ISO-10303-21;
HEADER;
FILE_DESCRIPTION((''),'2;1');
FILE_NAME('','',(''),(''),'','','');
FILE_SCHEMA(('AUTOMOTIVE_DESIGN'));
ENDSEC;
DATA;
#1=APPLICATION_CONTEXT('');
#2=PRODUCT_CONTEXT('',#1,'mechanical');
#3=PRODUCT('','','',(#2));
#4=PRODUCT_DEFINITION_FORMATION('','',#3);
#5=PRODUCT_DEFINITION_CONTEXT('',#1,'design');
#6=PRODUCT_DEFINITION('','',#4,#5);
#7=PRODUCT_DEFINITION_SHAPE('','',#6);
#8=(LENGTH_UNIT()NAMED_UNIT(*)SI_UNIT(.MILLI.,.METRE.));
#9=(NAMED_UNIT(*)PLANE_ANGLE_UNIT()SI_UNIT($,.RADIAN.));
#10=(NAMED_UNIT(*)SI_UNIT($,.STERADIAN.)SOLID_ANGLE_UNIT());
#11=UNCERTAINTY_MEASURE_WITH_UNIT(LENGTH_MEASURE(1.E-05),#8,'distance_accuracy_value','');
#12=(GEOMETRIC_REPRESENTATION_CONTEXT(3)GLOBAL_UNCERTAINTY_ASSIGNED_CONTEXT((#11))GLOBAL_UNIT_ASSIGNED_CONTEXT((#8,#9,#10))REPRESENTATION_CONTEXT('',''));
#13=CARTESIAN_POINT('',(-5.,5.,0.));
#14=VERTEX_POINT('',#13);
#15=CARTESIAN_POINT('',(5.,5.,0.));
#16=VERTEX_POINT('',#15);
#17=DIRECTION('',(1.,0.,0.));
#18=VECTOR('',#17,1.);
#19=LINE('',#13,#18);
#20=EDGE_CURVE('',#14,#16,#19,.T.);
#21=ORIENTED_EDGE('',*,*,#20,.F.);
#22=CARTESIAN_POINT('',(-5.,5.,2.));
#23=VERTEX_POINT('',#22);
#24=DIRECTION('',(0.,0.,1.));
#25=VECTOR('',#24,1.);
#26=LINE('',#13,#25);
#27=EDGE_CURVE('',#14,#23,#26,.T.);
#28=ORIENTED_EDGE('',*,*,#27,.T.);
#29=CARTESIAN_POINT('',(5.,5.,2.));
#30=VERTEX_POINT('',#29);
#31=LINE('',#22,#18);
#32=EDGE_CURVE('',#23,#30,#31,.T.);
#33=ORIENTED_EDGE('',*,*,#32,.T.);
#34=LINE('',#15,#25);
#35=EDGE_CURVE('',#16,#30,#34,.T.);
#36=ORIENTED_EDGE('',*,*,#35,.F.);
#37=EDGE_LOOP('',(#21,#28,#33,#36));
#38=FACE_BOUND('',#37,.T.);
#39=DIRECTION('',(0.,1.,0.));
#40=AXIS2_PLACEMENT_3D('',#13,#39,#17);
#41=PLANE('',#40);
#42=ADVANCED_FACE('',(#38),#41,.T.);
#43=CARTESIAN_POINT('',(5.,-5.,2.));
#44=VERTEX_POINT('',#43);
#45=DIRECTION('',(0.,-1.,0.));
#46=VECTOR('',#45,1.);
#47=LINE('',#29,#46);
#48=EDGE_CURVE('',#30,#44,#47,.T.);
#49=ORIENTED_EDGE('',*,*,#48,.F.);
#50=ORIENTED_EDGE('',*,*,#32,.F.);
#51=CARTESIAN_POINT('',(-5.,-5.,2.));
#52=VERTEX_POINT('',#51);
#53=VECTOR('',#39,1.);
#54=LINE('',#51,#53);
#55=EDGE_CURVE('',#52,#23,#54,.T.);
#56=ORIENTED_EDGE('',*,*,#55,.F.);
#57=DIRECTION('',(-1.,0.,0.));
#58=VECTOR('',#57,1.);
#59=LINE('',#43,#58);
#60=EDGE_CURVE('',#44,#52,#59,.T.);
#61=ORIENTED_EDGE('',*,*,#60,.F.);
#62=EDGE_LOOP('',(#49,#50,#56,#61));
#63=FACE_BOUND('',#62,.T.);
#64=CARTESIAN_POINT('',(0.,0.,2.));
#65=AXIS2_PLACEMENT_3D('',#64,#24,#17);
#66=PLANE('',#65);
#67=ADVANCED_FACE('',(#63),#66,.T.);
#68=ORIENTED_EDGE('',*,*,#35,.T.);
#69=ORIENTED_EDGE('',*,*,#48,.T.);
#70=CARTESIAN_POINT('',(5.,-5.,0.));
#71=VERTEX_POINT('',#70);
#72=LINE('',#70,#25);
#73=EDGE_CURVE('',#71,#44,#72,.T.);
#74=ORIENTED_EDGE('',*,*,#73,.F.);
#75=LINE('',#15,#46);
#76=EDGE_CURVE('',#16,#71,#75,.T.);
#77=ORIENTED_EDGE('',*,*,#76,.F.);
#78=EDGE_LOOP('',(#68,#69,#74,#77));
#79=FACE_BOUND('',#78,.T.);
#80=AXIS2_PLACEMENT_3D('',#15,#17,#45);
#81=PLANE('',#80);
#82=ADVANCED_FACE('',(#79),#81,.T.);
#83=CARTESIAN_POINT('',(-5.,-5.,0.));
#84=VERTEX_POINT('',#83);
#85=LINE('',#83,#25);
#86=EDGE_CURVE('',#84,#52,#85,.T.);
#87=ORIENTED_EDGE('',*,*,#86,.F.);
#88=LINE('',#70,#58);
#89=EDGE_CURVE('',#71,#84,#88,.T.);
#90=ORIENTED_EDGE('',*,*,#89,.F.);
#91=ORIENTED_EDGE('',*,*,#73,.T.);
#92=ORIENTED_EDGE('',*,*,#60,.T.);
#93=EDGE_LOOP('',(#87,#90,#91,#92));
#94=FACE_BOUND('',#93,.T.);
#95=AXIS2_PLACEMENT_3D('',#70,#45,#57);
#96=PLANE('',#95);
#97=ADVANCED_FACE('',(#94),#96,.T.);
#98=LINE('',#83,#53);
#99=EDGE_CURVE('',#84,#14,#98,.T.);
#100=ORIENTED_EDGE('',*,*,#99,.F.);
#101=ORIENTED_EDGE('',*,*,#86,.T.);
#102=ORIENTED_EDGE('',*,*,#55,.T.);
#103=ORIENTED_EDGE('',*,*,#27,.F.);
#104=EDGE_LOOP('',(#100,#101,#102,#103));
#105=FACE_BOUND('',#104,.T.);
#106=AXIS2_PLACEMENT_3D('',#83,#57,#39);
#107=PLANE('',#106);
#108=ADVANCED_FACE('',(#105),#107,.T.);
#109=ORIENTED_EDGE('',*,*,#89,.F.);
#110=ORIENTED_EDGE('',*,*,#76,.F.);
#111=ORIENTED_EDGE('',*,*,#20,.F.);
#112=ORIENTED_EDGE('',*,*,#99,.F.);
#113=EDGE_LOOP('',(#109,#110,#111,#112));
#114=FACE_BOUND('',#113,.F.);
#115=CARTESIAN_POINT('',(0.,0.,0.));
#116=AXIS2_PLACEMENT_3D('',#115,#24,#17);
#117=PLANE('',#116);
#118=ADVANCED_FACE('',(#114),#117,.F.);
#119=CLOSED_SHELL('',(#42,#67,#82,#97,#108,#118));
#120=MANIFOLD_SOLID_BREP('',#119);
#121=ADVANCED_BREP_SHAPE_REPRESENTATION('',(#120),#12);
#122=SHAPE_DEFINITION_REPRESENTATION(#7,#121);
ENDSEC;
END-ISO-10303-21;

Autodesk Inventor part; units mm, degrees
ref_plane "YZ Plane" through (0, 0, 0) normal (1, 0, 0) x (0, 1, 0)
ref_plane "XZ Plane" through (0, 0, 0) normal (0, 1, 0) x (-1, 0, 0)
ref_plane "XY Plane" through (0, 0, 0) normal (0, 0, 1) x (1, 0, 0)
sketch "Sketch1" plane through (0, 0, 0) normal (0, 0, 1) x (1, 0, 0)
  line L0 (-5, 5) -> (5, 5)
  line L1 (5, 5) -> (5, -5)
  line L2 (5, -5) -> (-5, -5)
  line L3 (-5, -5) -> (-5, 5)
  point P0 (0, 0)
  point P1 (0, 5)
  point P2 (5, 0)
  dimension "d0" = 10
  dimension "d1" = 10
extrude "Extrusion1" add sketch "Sketch1" along normal blind 2
properties part number "LI0016-ARDUINO DIE"
